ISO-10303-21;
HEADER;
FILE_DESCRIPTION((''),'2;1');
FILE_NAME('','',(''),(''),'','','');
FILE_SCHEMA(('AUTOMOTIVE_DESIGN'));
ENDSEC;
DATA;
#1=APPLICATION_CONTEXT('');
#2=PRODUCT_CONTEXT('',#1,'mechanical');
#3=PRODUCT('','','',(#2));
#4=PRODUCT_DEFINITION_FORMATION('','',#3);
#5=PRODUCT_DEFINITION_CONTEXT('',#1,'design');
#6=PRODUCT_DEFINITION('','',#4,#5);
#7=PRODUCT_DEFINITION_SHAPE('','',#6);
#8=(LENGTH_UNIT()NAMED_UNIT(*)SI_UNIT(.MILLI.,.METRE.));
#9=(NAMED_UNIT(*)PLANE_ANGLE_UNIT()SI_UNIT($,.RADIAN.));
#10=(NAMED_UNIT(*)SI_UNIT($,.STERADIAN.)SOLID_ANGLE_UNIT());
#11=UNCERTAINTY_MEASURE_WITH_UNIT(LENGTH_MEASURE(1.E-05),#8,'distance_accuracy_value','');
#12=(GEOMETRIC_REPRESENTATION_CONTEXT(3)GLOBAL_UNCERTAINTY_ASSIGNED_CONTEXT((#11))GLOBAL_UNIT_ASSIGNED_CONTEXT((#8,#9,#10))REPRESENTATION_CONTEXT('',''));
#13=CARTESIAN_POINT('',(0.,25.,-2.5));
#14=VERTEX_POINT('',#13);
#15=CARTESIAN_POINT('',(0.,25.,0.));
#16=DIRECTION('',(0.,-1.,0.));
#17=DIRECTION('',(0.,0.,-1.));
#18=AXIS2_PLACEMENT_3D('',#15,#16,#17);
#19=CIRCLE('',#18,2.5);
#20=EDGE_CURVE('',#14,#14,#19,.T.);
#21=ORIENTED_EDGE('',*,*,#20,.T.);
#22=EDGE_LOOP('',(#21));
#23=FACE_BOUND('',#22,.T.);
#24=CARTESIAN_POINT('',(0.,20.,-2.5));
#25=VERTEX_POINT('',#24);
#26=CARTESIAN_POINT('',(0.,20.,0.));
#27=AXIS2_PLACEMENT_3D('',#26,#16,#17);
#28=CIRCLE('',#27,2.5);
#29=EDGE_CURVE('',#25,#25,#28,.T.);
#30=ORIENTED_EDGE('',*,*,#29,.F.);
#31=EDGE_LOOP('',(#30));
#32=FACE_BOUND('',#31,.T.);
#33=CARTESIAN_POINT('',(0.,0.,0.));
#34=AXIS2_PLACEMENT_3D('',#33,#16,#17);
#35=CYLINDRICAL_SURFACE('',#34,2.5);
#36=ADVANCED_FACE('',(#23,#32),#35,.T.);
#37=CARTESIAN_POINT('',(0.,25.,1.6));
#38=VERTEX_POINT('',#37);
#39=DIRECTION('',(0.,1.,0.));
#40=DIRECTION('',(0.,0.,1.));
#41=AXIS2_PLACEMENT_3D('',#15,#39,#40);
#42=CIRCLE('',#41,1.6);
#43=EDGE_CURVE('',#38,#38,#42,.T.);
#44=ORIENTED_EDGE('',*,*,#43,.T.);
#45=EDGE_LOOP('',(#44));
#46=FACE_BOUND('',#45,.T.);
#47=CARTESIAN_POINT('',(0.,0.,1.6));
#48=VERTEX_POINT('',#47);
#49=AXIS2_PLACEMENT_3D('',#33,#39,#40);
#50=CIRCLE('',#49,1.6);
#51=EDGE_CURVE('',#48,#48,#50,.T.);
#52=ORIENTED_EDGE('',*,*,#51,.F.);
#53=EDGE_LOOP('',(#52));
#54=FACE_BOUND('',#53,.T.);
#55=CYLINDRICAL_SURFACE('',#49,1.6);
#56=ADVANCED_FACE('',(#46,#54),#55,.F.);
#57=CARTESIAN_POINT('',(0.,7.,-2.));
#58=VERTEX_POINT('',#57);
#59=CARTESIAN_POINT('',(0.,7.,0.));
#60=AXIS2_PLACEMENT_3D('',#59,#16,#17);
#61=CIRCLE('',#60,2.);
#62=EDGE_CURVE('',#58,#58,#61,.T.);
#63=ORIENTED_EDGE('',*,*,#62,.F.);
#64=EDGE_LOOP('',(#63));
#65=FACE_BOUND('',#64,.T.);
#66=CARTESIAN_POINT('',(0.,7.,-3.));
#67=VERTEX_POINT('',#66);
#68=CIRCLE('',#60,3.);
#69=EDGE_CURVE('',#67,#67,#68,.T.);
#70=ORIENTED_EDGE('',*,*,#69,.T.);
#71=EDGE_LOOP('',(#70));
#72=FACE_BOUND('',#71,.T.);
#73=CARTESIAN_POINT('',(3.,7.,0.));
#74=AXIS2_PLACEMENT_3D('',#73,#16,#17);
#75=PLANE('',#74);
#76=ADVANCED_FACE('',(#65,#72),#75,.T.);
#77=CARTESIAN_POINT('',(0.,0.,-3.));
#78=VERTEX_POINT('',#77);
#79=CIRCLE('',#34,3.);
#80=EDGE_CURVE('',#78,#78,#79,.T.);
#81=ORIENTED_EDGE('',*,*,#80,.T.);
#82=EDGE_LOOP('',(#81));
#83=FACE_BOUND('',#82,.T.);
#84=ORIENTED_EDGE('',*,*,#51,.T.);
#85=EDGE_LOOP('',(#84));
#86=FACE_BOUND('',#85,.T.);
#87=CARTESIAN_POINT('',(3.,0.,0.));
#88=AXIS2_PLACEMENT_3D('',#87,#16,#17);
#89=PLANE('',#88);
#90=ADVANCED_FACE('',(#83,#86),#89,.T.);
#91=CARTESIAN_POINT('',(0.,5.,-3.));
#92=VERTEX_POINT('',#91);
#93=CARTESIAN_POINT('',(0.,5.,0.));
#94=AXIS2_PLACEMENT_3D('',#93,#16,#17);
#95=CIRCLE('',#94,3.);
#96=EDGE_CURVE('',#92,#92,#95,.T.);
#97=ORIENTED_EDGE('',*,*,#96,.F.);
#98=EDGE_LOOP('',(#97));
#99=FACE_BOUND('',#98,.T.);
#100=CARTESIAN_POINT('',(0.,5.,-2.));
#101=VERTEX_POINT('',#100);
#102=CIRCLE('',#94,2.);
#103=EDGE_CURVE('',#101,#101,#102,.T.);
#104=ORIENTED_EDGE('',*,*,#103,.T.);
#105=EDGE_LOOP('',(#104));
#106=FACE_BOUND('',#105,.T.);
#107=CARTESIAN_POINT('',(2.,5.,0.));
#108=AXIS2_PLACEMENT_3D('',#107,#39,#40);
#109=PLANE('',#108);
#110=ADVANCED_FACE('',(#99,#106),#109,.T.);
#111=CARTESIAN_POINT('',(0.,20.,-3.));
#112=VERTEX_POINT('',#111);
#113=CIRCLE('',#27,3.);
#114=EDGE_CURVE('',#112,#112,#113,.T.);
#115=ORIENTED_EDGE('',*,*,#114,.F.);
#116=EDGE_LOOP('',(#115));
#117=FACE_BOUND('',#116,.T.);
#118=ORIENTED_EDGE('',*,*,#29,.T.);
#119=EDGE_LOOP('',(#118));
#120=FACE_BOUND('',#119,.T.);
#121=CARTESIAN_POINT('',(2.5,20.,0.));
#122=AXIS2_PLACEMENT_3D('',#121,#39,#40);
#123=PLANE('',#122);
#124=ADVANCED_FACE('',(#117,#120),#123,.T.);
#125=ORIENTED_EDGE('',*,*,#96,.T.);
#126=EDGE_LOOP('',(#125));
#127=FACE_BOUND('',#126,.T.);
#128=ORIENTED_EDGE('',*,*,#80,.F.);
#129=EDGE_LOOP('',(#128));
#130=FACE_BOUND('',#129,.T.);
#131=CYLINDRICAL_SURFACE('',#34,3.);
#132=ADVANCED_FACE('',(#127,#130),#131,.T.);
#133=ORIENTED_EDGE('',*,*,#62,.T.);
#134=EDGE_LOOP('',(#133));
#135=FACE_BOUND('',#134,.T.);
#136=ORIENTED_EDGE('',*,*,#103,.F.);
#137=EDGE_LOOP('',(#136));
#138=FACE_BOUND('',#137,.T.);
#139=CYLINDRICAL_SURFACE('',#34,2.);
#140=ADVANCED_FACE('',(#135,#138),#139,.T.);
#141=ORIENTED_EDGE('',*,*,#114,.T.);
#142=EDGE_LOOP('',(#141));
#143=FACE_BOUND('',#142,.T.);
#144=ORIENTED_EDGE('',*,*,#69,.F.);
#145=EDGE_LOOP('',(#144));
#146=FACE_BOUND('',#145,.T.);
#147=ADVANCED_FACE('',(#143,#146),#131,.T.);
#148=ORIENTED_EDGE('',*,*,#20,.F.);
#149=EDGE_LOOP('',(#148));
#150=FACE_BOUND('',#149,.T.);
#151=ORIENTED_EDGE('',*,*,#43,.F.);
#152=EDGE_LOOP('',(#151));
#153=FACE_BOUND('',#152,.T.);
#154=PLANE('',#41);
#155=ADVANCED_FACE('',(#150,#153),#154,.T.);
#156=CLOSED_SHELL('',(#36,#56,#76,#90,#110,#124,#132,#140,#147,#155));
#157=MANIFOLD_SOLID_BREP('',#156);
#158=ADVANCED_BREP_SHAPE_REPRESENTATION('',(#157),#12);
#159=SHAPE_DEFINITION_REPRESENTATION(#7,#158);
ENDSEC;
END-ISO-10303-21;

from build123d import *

# Parameters (mm, degrees)
SKETCH2_R          = 1.6
CUT_EXTRUDE1_DEPTH = 26


with BuildPart() as part:
    # Sketch1 → Revolve1 (revolve)
    with BuildSketch(Plane.XY):
        Polygon((0, 0), (0, 25), (2.5, 25), (2.5, 20), (3, 20), (3, 7), (2, 7), (2, 5), (3, 5), (3, 0), align=None)
    revolve(axis=Axis((0, 0, 0), (0, 1, 0)))

    # Sketch2 → Cut-Extrude1 (cut, through all)
    with BuildSketch(Plane(origin=(0, 25, 0), x_dir=(1, 0, 0), z_dir=(0, 1, 0))):
        Circle(SKETCH2_R)
    extrude(amount=-CUT_EXTRUDE1_DEPTH, mode=Mode.SUBTRACT)


solid = part.part
